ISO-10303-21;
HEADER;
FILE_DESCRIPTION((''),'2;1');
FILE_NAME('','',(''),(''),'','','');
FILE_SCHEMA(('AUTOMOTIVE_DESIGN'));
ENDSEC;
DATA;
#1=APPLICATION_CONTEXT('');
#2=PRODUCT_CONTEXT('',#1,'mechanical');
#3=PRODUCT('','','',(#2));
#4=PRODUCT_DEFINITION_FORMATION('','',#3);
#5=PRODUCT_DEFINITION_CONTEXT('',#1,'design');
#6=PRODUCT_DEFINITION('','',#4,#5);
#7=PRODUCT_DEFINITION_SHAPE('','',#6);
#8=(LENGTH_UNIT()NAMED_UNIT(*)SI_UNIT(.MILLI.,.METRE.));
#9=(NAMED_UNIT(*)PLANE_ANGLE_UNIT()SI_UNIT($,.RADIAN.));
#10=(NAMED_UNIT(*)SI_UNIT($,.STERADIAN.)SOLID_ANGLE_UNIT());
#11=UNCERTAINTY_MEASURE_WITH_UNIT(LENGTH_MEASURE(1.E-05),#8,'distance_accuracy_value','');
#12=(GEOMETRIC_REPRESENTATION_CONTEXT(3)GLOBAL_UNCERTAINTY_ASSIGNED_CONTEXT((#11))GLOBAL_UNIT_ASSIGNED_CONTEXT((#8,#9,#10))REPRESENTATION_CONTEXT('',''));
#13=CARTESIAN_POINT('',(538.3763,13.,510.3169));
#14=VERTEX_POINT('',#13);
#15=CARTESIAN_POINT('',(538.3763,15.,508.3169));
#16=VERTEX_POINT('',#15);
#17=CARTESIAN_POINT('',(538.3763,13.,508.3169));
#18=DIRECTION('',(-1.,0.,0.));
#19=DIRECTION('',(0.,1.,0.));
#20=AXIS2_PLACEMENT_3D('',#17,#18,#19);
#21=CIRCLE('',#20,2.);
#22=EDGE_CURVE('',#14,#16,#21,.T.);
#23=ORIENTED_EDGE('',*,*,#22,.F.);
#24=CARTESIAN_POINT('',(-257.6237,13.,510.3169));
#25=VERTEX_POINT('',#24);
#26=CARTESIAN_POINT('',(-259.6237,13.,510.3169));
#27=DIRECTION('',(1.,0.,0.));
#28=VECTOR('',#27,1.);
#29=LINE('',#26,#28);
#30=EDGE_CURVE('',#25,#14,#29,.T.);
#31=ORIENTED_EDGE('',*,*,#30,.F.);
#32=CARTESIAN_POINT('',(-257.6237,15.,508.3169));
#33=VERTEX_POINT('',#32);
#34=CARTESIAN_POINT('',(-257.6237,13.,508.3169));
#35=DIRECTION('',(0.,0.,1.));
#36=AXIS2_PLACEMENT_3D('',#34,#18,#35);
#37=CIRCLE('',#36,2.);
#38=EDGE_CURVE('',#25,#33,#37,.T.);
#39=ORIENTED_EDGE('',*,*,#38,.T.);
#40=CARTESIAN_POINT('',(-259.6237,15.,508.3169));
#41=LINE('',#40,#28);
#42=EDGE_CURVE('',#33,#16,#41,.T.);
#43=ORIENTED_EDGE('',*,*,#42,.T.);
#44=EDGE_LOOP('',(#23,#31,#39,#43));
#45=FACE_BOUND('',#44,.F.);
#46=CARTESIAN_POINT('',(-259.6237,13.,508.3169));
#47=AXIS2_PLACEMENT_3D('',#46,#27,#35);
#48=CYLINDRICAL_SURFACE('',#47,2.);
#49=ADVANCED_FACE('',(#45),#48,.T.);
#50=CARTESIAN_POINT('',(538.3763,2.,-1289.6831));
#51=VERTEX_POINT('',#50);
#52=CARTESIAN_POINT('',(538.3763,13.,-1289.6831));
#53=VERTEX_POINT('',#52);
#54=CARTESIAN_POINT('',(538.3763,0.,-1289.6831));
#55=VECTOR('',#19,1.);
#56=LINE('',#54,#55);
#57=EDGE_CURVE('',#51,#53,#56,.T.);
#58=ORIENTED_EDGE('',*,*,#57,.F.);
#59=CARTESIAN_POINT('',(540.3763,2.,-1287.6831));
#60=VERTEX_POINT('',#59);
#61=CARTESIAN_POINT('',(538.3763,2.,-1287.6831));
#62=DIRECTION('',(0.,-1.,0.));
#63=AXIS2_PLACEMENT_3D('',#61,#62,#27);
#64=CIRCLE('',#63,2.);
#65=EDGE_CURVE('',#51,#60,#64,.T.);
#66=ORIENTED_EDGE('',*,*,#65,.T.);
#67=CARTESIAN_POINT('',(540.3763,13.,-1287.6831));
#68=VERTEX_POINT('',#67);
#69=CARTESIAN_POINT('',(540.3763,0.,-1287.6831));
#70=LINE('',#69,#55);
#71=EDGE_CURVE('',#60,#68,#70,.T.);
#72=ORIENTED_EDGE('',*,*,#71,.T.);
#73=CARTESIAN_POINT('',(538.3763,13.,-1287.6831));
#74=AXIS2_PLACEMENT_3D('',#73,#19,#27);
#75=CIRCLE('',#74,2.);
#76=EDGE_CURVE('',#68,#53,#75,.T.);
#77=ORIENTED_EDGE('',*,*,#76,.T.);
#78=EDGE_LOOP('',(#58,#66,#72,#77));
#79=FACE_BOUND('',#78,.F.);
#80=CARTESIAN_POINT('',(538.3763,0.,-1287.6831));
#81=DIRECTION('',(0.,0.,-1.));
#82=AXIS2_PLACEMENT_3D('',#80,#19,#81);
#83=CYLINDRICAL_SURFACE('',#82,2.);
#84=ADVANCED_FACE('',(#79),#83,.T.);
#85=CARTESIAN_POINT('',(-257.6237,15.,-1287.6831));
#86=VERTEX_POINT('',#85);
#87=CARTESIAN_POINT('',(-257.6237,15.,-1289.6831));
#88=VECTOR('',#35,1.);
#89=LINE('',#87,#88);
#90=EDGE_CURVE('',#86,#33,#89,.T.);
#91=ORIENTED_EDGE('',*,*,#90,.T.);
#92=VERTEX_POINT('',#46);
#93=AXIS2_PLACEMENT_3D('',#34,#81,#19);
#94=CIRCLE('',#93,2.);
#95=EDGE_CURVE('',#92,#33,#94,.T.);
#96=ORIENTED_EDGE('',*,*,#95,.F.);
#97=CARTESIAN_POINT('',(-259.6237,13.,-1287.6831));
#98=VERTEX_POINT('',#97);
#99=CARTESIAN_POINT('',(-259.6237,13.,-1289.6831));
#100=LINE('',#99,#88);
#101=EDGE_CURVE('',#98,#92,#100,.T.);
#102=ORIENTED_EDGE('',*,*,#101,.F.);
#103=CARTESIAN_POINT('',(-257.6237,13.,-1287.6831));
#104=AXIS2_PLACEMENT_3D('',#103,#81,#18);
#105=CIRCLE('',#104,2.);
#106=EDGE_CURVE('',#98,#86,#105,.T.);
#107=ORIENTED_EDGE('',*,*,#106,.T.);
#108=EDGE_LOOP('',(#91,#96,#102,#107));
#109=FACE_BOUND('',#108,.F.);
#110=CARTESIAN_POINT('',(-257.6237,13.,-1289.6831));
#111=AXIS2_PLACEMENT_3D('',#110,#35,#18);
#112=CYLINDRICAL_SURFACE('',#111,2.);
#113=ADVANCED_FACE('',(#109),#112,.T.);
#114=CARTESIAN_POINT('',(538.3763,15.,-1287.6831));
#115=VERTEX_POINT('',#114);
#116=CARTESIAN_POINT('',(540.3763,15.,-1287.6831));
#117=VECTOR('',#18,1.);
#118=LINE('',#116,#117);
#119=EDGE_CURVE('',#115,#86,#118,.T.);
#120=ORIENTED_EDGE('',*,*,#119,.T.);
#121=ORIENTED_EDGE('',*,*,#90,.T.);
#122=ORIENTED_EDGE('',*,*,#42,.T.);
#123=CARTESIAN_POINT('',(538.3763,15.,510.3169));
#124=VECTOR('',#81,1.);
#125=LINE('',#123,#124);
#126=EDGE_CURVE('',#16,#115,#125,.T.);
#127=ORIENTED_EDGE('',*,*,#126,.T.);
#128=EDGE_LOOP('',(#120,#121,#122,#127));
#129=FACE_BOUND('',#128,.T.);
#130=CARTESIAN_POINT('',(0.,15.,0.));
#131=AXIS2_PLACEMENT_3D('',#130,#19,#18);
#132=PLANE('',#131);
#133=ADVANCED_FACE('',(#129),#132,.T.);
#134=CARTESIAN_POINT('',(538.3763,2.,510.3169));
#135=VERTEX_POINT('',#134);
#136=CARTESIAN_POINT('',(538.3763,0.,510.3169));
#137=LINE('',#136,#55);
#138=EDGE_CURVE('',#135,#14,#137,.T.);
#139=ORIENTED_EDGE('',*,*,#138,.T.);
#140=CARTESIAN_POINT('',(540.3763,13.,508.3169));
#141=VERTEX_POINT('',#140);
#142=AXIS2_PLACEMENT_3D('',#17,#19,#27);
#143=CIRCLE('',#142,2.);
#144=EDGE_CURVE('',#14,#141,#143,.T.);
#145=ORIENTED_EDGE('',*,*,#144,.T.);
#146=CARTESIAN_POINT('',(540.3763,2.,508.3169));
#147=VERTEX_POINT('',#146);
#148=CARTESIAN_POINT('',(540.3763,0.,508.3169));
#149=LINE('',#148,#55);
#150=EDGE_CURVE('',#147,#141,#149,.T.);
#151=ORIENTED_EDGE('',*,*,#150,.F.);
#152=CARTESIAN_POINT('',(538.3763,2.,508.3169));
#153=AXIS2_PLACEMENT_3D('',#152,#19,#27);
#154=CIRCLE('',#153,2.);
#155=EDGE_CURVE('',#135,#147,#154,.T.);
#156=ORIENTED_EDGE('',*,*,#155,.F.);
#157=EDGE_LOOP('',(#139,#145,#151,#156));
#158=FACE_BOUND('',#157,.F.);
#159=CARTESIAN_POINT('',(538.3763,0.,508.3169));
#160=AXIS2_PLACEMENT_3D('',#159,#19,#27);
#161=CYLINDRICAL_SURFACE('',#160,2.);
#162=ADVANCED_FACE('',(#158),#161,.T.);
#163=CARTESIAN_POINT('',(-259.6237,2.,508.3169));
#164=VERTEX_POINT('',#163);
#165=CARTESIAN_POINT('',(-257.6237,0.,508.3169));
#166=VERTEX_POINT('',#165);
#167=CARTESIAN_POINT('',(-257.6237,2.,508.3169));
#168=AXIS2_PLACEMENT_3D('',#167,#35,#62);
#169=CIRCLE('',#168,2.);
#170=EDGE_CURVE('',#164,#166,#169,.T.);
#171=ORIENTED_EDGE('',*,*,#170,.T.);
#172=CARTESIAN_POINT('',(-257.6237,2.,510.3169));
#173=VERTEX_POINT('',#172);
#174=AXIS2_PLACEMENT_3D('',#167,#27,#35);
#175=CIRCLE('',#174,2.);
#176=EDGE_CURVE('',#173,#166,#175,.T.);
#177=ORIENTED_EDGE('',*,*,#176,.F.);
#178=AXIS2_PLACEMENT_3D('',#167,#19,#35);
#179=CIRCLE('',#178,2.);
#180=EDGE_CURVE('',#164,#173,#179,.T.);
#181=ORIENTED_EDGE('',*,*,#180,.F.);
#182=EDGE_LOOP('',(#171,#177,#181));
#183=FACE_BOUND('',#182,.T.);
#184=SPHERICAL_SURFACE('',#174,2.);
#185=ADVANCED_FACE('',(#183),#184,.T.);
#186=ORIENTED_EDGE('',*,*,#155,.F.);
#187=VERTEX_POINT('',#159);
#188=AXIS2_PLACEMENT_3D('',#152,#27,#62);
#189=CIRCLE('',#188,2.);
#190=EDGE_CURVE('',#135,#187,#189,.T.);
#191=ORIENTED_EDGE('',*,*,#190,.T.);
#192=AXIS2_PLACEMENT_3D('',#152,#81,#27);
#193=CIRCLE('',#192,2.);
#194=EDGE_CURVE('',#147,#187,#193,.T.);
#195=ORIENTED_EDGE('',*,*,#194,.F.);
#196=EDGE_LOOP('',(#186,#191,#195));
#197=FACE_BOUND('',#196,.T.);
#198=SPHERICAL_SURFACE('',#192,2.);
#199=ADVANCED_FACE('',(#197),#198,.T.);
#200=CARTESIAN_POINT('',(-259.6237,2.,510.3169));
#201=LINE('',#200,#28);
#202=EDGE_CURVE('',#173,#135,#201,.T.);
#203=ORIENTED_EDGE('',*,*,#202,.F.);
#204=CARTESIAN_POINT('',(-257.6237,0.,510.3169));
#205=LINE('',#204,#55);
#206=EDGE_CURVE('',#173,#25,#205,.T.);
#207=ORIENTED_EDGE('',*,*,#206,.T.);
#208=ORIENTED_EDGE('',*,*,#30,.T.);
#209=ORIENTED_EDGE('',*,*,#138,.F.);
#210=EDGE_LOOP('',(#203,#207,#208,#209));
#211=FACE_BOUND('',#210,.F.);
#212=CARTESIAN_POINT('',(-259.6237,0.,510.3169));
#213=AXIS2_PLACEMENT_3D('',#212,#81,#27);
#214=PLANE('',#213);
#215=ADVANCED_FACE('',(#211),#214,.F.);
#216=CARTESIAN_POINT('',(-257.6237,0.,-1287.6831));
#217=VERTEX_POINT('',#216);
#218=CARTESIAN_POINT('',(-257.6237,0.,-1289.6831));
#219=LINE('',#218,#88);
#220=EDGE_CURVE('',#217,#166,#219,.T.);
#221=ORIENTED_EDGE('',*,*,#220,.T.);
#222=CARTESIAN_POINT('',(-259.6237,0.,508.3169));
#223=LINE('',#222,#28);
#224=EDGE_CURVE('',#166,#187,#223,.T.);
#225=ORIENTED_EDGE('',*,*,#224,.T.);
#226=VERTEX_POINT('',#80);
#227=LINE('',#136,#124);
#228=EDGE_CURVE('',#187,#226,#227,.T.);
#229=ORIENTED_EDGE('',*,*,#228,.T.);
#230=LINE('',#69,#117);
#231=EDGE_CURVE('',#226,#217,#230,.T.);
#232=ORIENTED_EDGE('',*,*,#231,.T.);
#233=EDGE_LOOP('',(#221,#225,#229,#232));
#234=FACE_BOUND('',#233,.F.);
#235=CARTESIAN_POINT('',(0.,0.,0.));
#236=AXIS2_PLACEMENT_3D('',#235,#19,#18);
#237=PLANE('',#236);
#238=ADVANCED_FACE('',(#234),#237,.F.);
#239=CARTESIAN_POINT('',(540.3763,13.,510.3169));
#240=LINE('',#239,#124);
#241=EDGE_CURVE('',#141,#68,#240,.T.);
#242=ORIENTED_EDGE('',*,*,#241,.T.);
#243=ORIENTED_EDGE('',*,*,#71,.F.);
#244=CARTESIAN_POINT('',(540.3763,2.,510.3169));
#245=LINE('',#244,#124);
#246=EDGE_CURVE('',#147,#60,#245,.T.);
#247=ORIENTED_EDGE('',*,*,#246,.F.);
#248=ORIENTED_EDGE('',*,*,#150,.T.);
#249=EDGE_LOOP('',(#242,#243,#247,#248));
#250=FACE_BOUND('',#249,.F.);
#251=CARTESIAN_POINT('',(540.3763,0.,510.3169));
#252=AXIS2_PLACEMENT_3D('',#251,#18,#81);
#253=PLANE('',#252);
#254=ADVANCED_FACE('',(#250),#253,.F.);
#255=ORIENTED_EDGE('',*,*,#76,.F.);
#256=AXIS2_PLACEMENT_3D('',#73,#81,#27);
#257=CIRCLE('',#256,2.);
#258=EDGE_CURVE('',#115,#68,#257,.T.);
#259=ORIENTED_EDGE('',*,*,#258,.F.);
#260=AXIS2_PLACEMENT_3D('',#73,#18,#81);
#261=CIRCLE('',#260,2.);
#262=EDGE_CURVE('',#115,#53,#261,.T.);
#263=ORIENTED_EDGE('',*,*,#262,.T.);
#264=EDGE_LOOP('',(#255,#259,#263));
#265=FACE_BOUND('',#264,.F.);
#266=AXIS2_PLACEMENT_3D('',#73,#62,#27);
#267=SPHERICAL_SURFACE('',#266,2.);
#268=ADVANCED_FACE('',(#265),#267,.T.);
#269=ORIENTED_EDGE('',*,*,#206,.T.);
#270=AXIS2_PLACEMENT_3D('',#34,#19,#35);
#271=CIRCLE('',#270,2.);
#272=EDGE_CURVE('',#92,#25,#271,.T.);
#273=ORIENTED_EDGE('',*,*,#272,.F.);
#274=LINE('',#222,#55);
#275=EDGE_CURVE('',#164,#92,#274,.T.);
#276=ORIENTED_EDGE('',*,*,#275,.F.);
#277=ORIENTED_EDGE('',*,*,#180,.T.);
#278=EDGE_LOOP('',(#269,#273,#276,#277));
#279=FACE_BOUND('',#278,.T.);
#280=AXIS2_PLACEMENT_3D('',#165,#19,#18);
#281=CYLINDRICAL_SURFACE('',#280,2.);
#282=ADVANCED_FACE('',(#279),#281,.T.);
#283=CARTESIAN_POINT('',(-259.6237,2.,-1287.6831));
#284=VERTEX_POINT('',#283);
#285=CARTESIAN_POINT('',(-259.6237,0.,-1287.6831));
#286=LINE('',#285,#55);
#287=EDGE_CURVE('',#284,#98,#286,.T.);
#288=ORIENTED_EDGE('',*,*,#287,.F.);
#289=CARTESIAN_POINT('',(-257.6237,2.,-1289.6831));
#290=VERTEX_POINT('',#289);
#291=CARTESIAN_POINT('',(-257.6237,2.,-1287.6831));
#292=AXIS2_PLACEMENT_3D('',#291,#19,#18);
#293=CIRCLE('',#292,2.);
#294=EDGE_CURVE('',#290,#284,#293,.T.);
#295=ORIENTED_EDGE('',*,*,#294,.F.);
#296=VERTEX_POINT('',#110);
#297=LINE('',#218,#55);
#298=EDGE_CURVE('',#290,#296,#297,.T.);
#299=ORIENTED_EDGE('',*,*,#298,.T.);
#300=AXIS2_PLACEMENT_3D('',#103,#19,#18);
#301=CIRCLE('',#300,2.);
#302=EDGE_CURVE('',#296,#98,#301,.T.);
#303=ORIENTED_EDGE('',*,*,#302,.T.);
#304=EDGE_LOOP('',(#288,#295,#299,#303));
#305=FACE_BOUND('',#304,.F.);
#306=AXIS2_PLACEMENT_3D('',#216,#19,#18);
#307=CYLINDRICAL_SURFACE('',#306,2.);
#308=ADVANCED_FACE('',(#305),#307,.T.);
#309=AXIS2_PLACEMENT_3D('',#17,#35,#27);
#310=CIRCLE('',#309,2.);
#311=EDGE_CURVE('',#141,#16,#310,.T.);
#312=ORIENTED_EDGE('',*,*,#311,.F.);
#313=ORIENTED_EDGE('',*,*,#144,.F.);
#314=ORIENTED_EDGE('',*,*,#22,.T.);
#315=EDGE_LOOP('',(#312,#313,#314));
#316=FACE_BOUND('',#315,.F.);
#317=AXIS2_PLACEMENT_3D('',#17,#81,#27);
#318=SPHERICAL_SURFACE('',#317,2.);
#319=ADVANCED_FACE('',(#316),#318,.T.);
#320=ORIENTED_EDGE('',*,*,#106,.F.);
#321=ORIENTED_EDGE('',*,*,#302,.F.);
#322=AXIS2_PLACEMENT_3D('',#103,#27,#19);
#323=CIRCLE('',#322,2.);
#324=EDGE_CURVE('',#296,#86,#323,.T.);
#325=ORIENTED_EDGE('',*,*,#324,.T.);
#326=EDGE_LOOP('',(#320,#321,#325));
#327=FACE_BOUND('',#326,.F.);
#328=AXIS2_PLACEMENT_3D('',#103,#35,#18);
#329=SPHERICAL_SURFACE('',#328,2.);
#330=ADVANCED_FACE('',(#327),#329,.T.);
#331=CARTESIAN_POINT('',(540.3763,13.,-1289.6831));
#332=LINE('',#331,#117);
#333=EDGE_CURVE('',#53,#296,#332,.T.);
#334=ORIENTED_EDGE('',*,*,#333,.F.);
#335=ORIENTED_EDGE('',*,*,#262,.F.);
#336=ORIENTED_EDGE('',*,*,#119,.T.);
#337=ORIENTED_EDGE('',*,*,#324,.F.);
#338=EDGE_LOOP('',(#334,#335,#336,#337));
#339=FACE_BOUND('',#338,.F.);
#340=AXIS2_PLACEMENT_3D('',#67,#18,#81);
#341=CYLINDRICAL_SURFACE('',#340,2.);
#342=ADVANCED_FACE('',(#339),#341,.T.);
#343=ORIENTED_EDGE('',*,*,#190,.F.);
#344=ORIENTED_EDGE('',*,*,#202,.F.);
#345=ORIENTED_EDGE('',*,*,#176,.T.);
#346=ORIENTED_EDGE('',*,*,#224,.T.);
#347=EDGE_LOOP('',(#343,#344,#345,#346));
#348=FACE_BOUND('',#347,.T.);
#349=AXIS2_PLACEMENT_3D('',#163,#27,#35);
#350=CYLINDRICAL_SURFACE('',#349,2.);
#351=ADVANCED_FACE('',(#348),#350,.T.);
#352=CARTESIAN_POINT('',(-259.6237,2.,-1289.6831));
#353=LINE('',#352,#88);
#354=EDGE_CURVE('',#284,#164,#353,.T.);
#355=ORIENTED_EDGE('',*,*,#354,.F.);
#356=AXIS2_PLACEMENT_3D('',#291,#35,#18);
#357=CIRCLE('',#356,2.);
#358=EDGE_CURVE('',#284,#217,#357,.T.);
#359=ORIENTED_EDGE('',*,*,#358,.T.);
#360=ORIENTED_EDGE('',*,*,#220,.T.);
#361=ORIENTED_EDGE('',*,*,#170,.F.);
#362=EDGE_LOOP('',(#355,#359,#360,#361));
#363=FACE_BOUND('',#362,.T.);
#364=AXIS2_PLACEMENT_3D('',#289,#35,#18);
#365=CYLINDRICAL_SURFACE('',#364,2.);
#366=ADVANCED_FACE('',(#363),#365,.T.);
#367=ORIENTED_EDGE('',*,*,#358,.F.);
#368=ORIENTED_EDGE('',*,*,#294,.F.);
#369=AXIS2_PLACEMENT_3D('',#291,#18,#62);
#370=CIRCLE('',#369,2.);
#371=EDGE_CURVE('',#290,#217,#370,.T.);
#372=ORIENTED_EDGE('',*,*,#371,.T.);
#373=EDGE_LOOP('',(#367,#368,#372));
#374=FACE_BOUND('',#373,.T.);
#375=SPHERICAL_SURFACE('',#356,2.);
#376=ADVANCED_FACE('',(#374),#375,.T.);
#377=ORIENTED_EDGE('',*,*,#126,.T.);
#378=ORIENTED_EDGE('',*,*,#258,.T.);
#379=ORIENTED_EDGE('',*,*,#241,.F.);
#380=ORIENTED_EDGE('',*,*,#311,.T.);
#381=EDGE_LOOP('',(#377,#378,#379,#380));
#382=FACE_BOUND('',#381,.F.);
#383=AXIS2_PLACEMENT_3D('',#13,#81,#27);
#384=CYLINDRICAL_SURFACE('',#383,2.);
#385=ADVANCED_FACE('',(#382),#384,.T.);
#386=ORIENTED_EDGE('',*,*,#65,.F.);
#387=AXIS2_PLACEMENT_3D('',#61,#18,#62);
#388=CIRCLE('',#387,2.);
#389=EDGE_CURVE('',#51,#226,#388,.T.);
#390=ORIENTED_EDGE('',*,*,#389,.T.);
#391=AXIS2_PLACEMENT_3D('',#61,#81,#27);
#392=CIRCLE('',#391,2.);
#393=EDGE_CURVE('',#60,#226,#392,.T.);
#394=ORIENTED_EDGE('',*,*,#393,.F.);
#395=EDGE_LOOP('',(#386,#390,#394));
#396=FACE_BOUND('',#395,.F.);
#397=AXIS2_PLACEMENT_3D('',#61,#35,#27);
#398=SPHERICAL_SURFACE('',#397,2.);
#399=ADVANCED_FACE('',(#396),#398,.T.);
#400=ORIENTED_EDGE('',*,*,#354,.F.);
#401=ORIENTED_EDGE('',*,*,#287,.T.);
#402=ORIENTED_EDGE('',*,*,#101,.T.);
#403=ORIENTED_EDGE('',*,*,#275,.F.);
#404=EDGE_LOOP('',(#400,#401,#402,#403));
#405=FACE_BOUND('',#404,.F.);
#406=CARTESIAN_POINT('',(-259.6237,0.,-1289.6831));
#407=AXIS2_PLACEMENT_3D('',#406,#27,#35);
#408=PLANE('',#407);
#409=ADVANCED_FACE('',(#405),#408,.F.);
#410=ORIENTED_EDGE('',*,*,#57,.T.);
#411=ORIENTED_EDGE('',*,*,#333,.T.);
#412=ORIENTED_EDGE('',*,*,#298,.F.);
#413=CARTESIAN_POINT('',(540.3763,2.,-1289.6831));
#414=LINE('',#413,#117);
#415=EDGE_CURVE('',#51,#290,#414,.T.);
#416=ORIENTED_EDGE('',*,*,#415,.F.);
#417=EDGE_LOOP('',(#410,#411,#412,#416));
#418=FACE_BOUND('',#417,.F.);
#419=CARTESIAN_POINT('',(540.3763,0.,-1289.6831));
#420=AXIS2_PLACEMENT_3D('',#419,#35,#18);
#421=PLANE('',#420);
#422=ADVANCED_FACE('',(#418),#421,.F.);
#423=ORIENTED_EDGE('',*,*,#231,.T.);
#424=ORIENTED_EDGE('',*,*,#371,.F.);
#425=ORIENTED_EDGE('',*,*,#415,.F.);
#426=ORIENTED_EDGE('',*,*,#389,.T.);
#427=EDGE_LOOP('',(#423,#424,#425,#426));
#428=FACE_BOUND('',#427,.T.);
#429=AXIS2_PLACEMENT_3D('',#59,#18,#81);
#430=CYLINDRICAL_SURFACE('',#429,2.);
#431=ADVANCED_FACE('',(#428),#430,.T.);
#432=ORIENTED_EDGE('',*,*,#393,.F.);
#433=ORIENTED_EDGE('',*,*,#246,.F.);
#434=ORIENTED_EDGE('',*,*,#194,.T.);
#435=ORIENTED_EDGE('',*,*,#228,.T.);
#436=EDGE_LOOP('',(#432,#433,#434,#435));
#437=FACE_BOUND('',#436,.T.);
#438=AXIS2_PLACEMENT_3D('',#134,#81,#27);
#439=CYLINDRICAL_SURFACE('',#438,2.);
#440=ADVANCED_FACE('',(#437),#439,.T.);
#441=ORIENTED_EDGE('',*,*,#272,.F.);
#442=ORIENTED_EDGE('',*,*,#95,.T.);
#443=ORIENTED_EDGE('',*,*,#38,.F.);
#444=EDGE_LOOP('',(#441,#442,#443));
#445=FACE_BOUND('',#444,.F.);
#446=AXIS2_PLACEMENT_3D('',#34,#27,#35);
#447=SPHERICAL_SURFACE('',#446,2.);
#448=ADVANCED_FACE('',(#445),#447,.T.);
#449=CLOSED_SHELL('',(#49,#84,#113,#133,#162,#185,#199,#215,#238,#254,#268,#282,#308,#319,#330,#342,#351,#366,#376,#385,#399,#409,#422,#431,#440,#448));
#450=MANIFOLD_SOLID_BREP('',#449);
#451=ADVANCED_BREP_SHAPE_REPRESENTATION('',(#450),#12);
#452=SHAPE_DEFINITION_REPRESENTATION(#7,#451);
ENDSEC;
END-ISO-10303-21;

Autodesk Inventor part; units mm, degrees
ref_plane "YZ Plane" through (0, 0, 0) normal (1, 0, 0) x (0, 1, 0)
ref_plane "XZ Plane" through (0, 0, 0) normal (0, 1, 0) x (-1, 0, 0)
ref_plane "XY Plane" through (0, 0, 0) normal (0, 0, 1) x (1, 0, 0)
sketch "Sketch1" plane through (0, 0, 0) normal (0, 1, 0) x (-1, 0, 0)
  line L0 (259.6237, 510.3169) -> (-540.3763, 510.3169)
  line L1 (-540.3763, 510.3169) -> (-540.3763, -1289.6831)
  line L2 (-540.3763, -1289.6831) -> (259.6237, -1289.6831)
  line L3 (259.6237, -1289.6831) -> (259.6237, 510.3169)
  point P0 (0, 0)
  dimension "d0" = 1800
  dimension "d1" = 800
extrude "Extrusion1" add sketch "Sketch1" along normal blind 15
fillet "Fillet1" radius 2 12 edges at (540.3763, 0, -389.6831) (540.3763, 7.5, -1289.6831) (540.3763, 15, -389.6831) (540.3763, 7.5, 510.3169) (140.3763, 0, 510.3169) (140.3763, 15, 510.3169) (-259.6237, 7.5, 510.3169) (-259.6237, 0, -389.6831) (-259.6237, 15, -389.6831) (-259.6237, 7.5, -1289.6831) (140.3763, 0, -1289.6831) (140.3763, 15, -1289.6831)
properties part number "tavolo" material "Wood (Birch)"
